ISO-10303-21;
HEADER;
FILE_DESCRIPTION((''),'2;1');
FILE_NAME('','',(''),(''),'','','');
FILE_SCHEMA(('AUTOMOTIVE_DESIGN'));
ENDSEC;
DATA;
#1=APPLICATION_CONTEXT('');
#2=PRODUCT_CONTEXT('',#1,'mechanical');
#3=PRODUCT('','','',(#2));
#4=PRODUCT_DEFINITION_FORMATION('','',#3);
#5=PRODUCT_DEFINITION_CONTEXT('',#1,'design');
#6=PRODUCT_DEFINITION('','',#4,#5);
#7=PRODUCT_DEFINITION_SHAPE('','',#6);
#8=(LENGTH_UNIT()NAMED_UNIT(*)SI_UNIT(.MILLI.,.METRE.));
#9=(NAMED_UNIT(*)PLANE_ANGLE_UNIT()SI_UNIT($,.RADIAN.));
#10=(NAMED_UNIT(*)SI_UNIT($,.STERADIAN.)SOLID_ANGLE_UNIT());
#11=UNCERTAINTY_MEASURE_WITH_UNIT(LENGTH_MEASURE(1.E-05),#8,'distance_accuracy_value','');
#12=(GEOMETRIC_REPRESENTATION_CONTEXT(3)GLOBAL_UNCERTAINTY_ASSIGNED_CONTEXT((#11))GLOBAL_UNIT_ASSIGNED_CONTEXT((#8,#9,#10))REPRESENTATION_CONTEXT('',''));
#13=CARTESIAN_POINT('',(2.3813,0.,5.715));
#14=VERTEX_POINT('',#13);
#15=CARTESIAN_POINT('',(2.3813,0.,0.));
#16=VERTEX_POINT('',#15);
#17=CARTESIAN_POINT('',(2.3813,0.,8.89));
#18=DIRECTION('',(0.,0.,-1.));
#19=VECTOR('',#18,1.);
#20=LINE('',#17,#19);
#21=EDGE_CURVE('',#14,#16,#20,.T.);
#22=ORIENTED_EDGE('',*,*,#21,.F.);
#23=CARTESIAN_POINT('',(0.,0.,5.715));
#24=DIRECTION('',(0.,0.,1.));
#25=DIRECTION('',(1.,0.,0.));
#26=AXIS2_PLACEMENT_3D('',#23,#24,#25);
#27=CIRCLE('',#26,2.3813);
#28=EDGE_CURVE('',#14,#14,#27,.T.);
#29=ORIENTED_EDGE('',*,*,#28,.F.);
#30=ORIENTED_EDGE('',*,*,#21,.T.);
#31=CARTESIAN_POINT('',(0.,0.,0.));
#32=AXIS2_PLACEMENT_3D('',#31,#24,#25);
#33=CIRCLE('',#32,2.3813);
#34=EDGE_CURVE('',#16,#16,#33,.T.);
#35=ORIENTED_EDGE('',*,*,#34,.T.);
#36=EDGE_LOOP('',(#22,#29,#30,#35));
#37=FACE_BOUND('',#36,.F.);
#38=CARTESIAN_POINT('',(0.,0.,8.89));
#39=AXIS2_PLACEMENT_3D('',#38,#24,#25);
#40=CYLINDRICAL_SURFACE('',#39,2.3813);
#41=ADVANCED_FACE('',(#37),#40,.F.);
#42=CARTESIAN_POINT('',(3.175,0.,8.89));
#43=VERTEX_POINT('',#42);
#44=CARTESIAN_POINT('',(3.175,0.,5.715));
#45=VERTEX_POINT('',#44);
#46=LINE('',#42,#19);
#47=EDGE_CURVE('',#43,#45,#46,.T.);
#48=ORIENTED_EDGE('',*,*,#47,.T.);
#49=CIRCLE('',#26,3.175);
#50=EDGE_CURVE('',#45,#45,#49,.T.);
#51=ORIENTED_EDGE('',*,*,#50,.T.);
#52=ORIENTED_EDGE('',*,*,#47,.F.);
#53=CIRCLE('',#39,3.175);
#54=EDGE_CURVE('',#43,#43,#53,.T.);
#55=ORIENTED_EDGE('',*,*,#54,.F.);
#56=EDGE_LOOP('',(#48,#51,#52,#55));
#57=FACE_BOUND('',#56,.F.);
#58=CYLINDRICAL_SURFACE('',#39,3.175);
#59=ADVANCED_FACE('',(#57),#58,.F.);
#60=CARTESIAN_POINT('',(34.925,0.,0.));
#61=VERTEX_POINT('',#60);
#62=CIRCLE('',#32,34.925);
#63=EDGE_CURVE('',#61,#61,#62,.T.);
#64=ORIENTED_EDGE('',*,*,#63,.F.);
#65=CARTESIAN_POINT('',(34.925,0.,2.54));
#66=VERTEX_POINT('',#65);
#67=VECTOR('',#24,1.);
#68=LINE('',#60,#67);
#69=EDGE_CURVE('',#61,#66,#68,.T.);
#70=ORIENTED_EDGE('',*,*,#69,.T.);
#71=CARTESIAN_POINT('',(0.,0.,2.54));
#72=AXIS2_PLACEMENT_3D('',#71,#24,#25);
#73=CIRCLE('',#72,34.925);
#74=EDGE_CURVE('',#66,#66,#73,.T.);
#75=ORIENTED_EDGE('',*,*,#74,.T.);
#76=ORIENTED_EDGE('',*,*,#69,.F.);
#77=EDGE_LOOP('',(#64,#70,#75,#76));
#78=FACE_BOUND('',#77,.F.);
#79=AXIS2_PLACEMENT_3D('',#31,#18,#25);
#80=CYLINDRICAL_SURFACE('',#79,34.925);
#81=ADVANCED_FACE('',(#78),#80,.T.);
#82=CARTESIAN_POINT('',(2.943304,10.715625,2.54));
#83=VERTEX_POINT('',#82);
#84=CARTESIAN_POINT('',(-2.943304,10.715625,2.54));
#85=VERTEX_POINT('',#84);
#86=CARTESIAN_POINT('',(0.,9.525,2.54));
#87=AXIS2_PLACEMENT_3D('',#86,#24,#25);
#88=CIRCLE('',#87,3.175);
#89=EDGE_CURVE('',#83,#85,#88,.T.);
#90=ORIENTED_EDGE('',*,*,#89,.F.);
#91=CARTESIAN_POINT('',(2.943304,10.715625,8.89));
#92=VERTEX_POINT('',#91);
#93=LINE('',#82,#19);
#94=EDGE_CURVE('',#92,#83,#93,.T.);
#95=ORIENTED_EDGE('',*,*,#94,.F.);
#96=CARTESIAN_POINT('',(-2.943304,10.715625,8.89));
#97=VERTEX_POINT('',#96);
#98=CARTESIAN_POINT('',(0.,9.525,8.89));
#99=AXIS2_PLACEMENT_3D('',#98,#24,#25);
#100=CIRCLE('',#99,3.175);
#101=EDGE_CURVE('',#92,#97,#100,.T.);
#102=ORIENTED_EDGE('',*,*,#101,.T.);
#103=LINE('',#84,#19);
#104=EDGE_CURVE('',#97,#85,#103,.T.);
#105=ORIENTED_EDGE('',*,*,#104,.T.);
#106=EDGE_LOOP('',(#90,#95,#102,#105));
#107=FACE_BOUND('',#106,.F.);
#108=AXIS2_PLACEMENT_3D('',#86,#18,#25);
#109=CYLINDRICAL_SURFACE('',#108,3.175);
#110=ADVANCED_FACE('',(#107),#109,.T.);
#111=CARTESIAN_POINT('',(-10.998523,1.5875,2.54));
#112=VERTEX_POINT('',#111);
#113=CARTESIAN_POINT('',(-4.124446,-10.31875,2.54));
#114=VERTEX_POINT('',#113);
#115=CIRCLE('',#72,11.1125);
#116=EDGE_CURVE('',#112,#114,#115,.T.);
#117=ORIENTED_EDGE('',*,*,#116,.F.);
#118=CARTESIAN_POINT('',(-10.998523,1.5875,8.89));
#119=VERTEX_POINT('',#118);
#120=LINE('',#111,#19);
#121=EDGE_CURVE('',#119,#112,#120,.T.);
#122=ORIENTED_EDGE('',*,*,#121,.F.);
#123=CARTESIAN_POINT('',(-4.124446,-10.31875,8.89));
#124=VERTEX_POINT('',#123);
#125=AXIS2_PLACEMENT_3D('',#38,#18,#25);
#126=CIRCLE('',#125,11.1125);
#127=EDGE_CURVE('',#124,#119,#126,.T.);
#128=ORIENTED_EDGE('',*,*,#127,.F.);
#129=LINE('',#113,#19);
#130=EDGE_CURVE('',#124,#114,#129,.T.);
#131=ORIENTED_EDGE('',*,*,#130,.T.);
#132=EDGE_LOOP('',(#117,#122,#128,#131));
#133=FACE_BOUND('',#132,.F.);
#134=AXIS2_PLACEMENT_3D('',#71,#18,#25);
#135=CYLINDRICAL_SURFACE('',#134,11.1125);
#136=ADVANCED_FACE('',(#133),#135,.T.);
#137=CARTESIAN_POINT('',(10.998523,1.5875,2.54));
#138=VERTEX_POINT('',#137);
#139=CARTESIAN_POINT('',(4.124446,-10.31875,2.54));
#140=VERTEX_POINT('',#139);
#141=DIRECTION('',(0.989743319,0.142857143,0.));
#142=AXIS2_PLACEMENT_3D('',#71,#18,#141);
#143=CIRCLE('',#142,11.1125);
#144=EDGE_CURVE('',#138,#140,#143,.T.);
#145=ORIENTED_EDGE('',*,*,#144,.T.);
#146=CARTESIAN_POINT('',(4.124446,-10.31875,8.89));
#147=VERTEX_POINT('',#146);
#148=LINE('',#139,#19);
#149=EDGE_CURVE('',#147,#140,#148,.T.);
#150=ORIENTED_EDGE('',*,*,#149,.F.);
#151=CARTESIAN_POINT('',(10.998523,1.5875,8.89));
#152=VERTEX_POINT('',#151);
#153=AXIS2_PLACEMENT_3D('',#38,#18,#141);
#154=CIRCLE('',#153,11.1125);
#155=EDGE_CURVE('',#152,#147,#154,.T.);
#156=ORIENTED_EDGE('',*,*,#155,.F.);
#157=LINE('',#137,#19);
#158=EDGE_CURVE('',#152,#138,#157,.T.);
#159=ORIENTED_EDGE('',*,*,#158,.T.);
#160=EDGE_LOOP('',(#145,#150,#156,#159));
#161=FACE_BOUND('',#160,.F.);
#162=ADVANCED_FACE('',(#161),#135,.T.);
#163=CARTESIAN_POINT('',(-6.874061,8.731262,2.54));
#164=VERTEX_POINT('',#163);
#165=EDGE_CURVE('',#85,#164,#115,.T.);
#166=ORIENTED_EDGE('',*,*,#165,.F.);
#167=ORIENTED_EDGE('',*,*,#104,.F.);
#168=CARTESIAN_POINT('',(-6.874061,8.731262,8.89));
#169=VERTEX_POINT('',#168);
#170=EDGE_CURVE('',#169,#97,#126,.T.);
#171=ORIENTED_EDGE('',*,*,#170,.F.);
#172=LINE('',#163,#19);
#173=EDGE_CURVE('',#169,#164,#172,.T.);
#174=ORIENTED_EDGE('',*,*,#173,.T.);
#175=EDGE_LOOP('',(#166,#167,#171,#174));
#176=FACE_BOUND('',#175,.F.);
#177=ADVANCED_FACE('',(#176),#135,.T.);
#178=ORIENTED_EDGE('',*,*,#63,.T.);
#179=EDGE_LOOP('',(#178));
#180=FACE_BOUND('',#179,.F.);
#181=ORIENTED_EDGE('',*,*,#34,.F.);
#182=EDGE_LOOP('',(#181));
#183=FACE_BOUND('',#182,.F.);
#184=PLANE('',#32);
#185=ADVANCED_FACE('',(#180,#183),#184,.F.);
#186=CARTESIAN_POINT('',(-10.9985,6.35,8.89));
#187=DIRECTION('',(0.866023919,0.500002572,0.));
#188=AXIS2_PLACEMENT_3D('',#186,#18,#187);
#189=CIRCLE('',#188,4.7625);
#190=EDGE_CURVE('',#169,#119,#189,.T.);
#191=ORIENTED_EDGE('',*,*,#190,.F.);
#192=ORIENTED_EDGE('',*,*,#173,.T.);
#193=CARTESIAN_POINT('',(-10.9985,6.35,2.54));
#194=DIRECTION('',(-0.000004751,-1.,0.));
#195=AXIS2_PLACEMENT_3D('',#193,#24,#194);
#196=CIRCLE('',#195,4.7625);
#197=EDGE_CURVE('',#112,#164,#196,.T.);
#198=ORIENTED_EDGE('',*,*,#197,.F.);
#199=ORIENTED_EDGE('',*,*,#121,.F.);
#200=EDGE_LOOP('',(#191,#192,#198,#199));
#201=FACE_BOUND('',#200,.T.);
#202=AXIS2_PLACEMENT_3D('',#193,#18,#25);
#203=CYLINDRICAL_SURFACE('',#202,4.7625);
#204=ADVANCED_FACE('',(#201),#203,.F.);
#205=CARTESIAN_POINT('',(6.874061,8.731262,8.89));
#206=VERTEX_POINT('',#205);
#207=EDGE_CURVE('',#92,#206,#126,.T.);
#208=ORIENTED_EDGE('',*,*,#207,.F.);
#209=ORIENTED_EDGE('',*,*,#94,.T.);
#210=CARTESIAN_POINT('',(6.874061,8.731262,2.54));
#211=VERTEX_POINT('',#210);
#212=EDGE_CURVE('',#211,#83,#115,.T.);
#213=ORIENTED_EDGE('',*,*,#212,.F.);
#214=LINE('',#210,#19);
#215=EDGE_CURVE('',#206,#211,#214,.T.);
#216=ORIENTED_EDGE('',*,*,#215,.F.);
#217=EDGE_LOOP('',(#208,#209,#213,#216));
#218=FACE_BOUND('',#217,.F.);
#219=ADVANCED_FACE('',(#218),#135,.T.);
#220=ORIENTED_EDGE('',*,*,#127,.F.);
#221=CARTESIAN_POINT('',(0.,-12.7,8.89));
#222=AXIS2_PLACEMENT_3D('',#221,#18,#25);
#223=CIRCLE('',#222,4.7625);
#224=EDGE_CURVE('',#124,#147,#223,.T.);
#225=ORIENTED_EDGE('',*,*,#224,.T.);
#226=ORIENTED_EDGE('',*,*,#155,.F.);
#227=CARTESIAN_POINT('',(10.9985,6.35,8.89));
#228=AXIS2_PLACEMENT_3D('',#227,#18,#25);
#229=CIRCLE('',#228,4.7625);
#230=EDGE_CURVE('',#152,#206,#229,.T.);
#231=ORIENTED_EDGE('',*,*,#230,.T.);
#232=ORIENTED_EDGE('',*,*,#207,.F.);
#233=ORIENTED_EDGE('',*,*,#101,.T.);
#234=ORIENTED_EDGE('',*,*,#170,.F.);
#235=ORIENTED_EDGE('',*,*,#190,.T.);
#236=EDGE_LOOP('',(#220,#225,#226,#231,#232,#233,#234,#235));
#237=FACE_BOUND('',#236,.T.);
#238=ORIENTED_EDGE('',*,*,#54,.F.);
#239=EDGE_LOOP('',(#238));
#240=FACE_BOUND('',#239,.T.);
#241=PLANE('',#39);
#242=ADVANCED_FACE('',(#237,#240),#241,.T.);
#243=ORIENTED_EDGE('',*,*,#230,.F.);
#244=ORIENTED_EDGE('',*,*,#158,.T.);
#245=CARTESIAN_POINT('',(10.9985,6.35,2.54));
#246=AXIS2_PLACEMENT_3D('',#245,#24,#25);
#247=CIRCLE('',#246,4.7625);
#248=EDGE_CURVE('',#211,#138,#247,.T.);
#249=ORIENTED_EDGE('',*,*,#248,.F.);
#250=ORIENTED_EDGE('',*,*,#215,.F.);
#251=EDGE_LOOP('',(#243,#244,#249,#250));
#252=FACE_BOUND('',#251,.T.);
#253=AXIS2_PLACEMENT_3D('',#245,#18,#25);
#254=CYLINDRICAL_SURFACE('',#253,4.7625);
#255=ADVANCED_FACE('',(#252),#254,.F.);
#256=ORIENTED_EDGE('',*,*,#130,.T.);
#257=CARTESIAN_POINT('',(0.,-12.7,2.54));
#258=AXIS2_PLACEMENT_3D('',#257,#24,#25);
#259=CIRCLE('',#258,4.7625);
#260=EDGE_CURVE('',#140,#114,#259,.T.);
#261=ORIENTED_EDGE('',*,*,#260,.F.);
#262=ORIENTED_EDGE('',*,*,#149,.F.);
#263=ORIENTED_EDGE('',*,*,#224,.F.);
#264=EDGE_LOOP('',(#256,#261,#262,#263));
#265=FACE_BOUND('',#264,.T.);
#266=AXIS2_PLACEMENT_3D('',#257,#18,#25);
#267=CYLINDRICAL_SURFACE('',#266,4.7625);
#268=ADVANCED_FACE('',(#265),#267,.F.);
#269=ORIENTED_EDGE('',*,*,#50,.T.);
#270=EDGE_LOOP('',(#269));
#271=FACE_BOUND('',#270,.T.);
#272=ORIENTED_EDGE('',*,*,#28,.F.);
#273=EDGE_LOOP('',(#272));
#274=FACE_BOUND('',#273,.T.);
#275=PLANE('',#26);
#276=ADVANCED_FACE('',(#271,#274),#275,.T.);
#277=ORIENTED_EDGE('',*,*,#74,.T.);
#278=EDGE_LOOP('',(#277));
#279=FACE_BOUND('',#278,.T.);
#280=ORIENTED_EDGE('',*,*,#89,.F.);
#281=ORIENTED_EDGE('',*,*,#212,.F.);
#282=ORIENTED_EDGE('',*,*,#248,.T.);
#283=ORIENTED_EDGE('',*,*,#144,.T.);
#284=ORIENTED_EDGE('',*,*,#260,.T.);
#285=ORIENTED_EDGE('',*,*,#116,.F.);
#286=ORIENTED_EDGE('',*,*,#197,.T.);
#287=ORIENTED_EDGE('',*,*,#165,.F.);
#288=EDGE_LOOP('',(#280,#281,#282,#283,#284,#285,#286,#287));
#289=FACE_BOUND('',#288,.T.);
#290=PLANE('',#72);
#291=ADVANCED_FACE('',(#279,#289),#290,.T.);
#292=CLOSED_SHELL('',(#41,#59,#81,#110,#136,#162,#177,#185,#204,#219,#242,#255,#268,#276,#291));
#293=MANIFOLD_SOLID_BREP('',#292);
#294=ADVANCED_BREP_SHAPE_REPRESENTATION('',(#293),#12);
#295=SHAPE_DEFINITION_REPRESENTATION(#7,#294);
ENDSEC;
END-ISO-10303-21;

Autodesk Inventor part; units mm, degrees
ref_plane "YZ Plane" through (0, 0, 0) normal (1, 0, 0) x (0, 1, 0)
ref_plane "XZ Plane" through (0, 0, 0) normal (0, 1, 0) x (-1, 0, 0)
ref_plane "XY Plane" through (0, 0, 0) normal (0, 0, 1) x (1, 0, 0)
sketch "Sketch1" plane through (0, 0, 0) normal (0, 0, 1) x (1, 0, 0)
  circle A0 centre (0, 0) radius 34.925
  dimension "d0" = 69.85
extrude "Extrusion1" add sketch "Sketch1" along normal blind 2.54
sketch "Sketch2" plane through (0, 0, 2.54) normal (0, 0, 1) x (1, 0, 0)
  circle A0 centre (0, 0) radius 11.1125
  line L0 (0, 0) -> (0, -12.7)
  circle A1 centre (0, -12.7) radius 4.7625
  circle A2 centre (10.9985, 6.35) radius 4.7625
  circle A3 centre (-10.9985, 6.35) radius 4.7625
  dimension "d3" = 22.225
  dimension "d4" = 12.7
  dimension "d5" = 9.525
  dimension "d8" = 360
extrude "Extrusion2" add sketch "Sketch2" along normal blind 6.35 contours A0 A1 A3 A2 | A2 A0 | A0 L0 A1 | A0 A1 L0 | A3 A0 picked at (9.3538, 3.9651) picked at (-8.1265, 6.0404)
extrude "Extrusion3" cut sketch "Sketch2" along normal blind 6.35 contours A2 A0 | A0 A2 | A1 A0 | A0 L0 A1 | A0 A1 L0 | A3 A0 | A0 A3
sketch "Sketch3" plane through (0, 0, 2.54) normal (0, 0, 1) x (1, 0, 0)
  line L0 (0, 0) -> (0, 9.525)
  circle A0 centre (0, 9.525) radius 3.175
  dimension "d14" = 9.525
  dimension "d15" = 6.35
extrude "Extrusion4" add sketch "Sketch3" along normal blind 6.35
sketch "Sketch4" plane through (0, 0, 8.89) normal (0, 0, 1) x (1, 0, 0)
  circle A0 centre (0, 0) radius 3.175
  circle A1 centre (0, 0) radius 2.3813
  dimension "d18" = 6.35
  dimension "d19" = 4.7625
extrude "Extrusion5" cut sketch "Sketch4" against normal blind 3.175 contours A0 | A1
extrude "Extrusion6" cut sketch "Sketch4" against normal through all contours A1
properties part number "SpoolEndSpurSide" material "ABS Plastic"
